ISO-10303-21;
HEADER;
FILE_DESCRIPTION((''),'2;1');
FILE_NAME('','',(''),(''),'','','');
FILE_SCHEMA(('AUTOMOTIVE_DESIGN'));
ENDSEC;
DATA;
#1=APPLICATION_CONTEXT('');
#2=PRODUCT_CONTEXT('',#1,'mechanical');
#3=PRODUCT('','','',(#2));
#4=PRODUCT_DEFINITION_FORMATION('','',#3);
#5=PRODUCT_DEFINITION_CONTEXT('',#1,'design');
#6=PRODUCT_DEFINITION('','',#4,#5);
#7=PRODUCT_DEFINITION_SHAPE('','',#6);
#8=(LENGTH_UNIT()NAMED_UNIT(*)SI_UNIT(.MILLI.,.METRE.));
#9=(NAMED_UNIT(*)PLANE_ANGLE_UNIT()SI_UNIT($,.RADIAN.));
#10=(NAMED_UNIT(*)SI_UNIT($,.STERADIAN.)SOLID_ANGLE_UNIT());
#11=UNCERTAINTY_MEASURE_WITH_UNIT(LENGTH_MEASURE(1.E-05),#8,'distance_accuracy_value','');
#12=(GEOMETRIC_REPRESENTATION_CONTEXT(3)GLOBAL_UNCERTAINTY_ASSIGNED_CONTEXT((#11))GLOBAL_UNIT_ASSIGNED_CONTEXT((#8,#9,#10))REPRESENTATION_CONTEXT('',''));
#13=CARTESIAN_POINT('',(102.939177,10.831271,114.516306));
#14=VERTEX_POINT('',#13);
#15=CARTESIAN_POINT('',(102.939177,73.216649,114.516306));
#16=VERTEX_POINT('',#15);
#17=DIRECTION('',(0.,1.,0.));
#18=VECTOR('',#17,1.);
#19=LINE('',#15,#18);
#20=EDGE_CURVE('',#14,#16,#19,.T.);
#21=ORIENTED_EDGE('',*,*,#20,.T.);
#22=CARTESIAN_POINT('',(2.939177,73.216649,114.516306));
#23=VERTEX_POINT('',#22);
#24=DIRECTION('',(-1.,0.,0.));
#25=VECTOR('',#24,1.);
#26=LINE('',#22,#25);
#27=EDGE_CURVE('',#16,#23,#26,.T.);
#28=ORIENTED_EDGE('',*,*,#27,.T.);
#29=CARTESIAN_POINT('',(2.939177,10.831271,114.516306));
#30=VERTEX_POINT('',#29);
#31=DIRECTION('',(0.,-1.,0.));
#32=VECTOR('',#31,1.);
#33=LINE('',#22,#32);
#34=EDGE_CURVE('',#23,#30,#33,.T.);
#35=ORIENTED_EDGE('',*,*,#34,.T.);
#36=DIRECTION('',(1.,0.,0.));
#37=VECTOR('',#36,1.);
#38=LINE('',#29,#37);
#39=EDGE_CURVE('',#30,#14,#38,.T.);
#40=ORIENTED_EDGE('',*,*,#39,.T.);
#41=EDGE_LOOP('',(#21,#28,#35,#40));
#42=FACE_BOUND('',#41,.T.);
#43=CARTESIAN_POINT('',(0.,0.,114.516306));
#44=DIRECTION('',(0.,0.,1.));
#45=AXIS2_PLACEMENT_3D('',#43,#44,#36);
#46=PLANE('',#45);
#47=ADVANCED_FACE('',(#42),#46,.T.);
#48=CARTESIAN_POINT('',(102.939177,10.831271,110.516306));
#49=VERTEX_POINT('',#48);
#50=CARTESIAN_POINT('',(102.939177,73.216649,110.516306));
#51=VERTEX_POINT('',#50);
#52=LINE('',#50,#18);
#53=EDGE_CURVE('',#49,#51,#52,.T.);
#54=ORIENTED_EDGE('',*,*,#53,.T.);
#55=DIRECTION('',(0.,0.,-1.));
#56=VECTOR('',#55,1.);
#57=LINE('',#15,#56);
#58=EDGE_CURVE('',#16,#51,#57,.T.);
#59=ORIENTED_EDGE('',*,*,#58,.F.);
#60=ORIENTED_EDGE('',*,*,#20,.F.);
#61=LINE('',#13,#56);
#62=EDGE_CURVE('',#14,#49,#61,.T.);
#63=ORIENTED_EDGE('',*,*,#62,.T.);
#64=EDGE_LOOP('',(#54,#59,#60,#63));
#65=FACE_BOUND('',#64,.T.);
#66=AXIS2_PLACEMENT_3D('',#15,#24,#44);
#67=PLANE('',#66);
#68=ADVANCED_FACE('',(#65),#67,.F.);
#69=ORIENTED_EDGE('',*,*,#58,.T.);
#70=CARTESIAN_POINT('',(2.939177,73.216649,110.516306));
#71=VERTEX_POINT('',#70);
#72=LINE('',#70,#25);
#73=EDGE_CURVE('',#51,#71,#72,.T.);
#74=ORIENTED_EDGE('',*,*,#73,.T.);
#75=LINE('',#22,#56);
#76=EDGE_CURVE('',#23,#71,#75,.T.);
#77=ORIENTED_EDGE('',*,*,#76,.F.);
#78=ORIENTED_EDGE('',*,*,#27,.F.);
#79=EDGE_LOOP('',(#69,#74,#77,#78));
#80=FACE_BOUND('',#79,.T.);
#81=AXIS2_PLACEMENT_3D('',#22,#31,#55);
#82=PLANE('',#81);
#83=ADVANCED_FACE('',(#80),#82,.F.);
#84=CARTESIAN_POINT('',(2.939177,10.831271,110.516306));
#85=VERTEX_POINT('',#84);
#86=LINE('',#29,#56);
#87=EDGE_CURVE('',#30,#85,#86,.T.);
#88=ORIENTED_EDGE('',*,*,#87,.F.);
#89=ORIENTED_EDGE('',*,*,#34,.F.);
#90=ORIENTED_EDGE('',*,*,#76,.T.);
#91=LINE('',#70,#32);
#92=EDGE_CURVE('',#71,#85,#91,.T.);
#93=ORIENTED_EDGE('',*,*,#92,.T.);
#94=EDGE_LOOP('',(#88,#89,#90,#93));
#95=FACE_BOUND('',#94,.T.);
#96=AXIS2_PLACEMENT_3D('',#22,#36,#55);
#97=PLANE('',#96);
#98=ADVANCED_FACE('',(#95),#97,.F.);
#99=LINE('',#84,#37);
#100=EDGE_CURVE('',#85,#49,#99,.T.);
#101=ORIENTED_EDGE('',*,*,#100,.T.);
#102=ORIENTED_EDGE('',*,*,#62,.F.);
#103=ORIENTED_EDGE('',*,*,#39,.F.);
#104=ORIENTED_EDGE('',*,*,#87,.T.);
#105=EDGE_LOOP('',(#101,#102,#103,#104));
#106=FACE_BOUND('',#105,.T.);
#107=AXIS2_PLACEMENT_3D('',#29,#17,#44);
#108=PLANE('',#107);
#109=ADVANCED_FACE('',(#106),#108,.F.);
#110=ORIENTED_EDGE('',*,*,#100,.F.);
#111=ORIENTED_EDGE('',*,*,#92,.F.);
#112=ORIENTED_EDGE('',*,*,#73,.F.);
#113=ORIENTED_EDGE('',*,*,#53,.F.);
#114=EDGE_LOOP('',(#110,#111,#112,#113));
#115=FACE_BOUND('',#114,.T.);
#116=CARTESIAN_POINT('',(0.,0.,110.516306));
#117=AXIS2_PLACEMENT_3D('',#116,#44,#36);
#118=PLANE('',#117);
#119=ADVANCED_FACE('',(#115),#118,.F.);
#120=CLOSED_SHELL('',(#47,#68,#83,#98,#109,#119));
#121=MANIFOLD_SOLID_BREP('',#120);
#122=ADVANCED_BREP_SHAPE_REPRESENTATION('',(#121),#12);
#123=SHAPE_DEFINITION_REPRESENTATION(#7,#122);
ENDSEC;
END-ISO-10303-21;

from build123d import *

# Parameters (mm, degrees)
SKETCH1_W           = 100
SKETCH1_H           = 62.385378537
BOSS_EXTRUDE1_DEPTH = 4


with BuildPart() as part:
    # Sketch1 → Boss-Extrude1 (new body)
    with BuildSketch(Plane.XY.offset(110.516306216)):
        with Locations((52.939176668, 42.023959891)):
            Rectangle(SKETCH1_W, SKETCH1_H)
    extrude(amount=BOSS_EXTRUDE1_DEPTH)


solid = part.part
